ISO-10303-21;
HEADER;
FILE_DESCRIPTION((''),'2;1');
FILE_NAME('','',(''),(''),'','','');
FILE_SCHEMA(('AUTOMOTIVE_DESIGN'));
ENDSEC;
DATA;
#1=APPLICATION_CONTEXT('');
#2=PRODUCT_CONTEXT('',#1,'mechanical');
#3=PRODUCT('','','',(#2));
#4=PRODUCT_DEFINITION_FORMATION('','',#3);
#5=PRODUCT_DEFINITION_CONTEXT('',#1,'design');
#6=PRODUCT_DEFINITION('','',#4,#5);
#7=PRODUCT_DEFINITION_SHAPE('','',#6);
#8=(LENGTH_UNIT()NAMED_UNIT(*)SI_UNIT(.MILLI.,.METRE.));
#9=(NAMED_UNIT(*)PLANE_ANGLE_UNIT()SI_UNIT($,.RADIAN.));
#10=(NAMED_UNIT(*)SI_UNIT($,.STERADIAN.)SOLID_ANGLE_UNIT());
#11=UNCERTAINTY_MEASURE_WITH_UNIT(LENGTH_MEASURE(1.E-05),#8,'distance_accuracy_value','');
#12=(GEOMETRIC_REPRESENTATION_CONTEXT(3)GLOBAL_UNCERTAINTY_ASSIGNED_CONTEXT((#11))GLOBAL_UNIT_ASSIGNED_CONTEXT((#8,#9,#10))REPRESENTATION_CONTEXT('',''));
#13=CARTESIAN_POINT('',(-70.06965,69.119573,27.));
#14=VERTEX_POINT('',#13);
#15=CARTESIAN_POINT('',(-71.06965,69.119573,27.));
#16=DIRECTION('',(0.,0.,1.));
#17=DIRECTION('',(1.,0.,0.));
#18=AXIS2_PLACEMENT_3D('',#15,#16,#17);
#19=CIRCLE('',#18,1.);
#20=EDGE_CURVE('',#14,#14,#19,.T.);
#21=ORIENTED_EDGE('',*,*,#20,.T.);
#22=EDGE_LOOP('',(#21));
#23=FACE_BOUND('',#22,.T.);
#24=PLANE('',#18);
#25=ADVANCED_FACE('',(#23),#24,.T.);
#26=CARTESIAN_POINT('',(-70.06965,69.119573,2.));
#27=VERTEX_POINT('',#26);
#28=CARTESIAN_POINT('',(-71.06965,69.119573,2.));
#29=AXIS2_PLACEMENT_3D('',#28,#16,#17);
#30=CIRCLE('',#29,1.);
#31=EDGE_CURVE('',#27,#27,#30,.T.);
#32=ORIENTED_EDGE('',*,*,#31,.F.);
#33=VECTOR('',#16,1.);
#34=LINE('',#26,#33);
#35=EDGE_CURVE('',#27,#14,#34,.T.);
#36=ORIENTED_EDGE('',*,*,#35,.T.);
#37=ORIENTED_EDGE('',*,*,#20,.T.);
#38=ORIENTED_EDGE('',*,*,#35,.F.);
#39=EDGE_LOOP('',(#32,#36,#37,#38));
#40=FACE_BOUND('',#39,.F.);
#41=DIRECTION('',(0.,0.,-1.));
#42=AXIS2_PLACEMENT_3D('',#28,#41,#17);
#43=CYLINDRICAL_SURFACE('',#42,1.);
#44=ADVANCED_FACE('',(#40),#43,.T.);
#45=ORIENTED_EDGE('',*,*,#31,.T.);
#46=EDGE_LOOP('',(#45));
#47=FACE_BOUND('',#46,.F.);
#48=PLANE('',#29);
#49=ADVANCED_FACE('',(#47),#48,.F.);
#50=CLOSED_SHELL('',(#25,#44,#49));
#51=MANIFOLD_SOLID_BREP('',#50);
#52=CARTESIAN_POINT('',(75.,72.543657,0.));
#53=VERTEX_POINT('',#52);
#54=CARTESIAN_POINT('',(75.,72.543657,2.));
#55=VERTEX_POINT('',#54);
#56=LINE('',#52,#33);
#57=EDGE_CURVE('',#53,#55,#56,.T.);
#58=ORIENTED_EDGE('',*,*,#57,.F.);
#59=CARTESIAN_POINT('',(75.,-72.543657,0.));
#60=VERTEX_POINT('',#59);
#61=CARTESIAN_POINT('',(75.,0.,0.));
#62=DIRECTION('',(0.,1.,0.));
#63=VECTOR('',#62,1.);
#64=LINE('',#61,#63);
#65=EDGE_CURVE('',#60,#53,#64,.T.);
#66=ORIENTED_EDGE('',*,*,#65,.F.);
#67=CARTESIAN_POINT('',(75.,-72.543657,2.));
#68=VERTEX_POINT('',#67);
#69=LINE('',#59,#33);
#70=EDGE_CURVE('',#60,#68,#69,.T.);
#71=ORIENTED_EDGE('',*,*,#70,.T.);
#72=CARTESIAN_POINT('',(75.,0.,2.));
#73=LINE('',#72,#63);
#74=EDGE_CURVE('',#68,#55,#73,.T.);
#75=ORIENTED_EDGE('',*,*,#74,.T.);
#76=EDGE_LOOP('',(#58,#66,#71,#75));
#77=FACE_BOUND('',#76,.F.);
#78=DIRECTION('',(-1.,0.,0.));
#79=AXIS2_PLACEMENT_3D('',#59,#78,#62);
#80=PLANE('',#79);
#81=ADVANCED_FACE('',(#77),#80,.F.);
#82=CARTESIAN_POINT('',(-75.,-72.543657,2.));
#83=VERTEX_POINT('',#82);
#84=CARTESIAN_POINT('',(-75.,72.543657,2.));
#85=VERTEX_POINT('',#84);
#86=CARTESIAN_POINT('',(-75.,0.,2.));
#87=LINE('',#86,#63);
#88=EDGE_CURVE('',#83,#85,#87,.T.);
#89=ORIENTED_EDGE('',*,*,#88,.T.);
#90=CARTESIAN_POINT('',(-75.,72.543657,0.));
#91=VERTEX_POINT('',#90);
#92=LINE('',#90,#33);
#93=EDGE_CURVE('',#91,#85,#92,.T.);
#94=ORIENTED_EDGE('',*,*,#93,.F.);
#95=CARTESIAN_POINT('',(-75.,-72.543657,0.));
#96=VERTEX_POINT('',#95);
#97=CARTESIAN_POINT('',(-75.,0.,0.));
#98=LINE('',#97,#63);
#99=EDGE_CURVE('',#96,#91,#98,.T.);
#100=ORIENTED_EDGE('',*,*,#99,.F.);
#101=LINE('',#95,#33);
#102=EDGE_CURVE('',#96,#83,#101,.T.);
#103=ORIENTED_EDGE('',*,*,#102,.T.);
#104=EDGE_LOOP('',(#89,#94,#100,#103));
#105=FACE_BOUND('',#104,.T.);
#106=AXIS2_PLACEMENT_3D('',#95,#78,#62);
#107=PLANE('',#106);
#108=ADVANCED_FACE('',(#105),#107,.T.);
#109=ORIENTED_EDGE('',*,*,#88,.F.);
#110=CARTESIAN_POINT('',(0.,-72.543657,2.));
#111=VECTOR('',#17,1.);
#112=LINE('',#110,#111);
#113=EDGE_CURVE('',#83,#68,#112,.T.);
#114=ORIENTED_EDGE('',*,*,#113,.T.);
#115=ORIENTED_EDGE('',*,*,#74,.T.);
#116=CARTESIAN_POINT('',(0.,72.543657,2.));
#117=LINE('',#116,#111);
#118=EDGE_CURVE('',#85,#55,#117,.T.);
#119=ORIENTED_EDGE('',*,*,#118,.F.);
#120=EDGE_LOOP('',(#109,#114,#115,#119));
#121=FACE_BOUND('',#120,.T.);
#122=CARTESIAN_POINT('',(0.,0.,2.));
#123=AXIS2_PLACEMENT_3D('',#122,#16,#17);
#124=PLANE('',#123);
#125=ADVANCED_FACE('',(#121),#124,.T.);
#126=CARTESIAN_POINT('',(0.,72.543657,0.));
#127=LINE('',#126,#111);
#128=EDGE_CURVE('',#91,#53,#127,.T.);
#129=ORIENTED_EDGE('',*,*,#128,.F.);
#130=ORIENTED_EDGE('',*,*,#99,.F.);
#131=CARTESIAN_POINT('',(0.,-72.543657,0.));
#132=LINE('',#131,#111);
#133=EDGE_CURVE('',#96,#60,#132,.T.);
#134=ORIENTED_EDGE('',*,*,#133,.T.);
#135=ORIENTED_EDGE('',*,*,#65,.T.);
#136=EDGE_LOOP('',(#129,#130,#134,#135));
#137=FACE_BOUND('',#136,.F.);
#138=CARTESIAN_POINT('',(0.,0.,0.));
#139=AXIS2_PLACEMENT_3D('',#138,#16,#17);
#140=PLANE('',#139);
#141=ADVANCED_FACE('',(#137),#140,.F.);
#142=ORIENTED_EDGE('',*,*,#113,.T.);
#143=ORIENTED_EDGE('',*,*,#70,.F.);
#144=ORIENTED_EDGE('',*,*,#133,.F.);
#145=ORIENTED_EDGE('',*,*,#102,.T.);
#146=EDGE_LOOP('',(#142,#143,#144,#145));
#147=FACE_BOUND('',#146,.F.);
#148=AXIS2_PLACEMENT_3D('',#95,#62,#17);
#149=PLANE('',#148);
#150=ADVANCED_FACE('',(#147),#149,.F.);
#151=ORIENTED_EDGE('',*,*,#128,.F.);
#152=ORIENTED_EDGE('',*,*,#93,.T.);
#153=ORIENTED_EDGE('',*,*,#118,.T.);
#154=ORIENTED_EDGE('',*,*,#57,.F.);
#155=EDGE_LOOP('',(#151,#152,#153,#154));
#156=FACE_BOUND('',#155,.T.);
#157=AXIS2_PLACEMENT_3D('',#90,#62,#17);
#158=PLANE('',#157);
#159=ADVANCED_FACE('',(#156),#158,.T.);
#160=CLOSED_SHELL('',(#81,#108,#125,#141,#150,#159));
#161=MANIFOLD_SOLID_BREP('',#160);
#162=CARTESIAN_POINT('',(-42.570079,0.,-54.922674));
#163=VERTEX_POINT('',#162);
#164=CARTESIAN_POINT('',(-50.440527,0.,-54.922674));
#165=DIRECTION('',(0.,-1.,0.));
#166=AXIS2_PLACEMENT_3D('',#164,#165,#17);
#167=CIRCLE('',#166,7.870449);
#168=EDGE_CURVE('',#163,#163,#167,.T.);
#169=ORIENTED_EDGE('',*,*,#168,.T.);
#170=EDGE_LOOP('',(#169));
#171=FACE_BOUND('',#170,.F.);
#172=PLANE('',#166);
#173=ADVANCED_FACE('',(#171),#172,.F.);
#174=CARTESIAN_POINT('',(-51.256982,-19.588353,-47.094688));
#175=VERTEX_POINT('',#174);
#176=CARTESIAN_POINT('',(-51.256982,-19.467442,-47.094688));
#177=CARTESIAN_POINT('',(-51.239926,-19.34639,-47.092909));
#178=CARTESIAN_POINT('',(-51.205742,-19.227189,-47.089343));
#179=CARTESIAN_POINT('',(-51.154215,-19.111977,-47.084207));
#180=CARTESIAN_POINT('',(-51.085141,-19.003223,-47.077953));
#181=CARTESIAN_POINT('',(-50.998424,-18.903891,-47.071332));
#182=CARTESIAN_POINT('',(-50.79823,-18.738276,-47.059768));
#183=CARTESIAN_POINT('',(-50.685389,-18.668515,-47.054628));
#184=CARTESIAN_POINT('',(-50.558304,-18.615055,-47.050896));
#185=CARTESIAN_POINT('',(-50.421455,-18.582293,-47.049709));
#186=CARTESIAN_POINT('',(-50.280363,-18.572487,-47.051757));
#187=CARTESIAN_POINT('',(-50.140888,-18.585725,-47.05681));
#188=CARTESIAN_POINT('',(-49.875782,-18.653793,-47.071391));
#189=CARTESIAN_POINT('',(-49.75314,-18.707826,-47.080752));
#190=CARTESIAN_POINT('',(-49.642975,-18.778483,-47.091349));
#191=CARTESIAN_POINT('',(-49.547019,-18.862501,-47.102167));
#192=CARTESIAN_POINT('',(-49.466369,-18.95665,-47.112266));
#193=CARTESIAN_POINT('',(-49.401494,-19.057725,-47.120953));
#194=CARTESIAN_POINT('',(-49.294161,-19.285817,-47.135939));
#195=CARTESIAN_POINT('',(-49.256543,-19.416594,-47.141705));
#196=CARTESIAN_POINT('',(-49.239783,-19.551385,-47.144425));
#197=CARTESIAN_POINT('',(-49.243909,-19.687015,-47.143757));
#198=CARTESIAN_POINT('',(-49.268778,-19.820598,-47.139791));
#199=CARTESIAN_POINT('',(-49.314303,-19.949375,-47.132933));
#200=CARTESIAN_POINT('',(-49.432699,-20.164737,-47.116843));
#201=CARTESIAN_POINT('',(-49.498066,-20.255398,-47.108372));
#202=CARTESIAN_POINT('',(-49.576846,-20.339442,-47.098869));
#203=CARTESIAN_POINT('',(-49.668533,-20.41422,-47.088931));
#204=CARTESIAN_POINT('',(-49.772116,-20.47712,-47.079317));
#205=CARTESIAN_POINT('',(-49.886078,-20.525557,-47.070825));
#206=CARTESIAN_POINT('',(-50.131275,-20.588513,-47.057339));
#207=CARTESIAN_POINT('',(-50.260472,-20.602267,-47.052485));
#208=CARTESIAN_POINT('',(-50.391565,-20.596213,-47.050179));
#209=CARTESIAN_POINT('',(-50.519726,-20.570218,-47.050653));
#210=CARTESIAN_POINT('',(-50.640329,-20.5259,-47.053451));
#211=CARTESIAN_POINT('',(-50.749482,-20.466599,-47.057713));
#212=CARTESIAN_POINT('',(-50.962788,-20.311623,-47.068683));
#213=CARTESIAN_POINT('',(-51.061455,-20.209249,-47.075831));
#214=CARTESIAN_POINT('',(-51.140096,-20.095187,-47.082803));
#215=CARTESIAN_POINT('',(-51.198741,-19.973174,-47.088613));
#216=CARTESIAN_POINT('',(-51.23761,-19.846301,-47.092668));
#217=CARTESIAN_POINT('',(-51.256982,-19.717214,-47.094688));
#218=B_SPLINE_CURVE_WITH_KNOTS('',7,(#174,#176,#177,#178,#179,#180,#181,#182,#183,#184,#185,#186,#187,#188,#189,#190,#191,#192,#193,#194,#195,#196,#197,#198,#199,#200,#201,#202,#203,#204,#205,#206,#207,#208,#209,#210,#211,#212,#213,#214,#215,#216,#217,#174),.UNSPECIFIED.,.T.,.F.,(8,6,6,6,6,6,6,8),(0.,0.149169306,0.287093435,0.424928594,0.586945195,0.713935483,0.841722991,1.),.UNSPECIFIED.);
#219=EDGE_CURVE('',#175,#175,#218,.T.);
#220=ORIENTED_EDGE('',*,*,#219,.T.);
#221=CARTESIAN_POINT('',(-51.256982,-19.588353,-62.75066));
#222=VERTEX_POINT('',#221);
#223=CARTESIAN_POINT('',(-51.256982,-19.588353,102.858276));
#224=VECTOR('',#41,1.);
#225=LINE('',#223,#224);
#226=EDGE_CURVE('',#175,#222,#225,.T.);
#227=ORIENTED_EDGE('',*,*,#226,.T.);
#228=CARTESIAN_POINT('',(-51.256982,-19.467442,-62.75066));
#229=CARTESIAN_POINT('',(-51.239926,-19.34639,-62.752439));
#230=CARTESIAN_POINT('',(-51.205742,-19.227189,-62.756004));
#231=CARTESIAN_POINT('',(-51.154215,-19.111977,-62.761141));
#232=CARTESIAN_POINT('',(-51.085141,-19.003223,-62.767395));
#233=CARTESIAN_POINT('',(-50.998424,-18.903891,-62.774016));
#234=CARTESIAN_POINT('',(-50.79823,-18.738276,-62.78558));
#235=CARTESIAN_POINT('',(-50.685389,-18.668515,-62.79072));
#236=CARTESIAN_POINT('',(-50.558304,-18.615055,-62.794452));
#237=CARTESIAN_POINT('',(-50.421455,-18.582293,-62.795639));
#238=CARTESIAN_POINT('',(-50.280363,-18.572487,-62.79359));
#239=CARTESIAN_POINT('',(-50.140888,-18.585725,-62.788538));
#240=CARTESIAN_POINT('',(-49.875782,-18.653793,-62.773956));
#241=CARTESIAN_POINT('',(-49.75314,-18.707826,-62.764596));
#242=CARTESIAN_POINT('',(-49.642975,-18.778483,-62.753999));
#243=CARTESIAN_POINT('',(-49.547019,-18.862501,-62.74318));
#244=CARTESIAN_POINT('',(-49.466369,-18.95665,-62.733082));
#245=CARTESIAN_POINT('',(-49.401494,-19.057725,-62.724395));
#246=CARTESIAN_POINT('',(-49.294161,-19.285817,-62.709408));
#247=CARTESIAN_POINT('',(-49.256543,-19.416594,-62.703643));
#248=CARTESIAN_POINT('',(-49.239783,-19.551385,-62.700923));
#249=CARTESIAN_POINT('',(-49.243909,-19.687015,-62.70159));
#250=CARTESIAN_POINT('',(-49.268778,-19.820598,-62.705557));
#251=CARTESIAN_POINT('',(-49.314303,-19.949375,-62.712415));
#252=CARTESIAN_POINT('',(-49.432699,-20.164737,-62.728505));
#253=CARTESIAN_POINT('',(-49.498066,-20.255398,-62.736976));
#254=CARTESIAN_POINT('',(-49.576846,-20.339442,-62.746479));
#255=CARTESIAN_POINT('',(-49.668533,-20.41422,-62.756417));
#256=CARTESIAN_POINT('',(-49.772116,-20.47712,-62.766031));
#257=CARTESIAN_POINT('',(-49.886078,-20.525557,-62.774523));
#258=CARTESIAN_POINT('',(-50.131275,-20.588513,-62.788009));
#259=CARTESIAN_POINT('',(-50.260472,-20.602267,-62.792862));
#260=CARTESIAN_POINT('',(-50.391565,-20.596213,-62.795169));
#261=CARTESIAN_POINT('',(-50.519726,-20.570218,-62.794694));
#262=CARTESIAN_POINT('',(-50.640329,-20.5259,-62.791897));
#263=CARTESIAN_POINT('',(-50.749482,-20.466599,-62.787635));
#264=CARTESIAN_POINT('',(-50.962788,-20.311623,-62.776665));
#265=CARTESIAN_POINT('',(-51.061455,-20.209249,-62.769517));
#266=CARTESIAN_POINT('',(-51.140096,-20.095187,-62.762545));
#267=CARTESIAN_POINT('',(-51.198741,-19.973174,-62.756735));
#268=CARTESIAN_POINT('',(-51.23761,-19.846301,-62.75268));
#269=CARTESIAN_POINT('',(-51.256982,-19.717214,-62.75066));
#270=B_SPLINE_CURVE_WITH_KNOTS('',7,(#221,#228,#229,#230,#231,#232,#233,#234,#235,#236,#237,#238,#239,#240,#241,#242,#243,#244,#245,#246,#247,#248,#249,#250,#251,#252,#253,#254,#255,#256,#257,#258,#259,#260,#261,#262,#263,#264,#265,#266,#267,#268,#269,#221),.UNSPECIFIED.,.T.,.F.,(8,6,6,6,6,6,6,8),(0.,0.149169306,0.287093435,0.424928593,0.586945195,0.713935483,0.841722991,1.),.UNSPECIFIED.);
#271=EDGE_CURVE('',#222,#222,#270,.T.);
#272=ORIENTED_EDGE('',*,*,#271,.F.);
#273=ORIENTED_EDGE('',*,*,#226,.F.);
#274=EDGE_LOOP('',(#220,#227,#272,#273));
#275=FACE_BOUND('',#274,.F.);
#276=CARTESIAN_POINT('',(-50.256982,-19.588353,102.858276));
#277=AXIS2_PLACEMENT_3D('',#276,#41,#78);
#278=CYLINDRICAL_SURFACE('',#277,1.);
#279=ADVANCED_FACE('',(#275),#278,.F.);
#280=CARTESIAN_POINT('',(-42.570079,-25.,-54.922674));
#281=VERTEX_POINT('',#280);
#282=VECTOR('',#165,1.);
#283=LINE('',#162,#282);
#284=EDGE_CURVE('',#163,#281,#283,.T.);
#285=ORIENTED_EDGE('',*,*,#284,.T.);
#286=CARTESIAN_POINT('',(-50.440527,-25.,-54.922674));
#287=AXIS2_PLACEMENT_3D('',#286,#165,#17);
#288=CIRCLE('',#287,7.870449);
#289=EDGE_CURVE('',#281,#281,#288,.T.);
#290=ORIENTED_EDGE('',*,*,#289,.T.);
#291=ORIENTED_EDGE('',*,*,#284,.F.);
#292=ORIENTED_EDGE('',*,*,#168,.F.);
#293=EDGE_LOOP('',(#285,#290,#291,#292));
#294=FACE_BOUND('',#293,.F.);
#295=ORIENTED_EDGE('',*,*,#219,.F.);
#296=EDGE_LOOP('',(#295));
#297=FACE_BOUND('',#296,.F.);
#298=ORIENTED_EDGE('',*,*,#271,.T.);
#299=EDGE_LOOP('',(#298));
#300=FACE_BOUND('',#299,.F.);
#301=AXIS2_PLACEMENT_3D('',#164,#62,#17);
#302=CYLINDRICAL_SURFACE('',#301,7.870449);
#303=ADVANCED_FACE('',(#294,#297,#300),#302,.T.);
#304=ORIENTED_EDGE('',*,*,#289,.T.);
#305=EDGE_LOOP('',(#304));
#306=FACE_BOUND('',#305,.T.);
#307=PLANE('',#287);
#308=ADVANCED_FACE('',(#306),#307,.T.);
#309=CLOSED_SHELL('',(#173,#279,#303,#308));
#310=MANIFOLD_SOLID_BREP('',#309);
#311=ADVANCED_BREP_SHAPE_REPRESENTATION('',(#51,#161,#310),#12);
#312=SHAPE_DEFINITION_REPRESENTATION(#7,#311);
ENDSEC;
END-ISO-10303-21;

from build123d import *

# Parameters (mm, degrees)
F0_W     = 150
F0_H     = 145.0873134014
F1_DEPTH = 2
F2_R     = 1
F3_DEPTH = 25
F4_R     = 7.8704486126
F5_DEPTH = 25
F7_D     = 2
F7_DEPTH = 150
F7_START = 47.141724
F7_TIP   = 0.600860619


with BuildPart() as f1:
    # F0 (on Top) → F1 (new body)
    with BuildSketch(Plane.XY):
        Rectangle(F0_W, F0_H)
    extrude(amount=F1_DEPTH)


with BuildPart() as f3:
    # F2 (on face) → F3 (new body)
    with BuildSketch(Plane.XY.offset(2)):
        with Locations((-71.069650352, 69.1195726395)):
            Circle(F2_R)
    extrude(amount=F3_DEPTH)


with BuildPart() as f5:
    # F4 (on Front) → F5 (new body)
    with BuildSketch(Plane.XZ):
        with Locations((-50.4405274987, -54.9226738513)):
            Circle(F4_R)
    extrude(amount=F5_DEPTH)

    # F7
    # its depths count from where the whole tool has entered the part; down to there all is cleared
    with Locations(Plane.XY.offset(-F7_START)):
        with Locations((-50.2569824457, -19.5883531123)):
            Hole(F7_D / 2, depth=F7_DEPTH)
            with Locations((0, 0, -(F7_DEPTH + F7_TIP / 2))):  # 118° drill point
                Cone(0, F7_D / 2, F7_TIP, mode=Mode.SUBTRACT)


solid = Compound([f1.part, f3.part, f5.part])
